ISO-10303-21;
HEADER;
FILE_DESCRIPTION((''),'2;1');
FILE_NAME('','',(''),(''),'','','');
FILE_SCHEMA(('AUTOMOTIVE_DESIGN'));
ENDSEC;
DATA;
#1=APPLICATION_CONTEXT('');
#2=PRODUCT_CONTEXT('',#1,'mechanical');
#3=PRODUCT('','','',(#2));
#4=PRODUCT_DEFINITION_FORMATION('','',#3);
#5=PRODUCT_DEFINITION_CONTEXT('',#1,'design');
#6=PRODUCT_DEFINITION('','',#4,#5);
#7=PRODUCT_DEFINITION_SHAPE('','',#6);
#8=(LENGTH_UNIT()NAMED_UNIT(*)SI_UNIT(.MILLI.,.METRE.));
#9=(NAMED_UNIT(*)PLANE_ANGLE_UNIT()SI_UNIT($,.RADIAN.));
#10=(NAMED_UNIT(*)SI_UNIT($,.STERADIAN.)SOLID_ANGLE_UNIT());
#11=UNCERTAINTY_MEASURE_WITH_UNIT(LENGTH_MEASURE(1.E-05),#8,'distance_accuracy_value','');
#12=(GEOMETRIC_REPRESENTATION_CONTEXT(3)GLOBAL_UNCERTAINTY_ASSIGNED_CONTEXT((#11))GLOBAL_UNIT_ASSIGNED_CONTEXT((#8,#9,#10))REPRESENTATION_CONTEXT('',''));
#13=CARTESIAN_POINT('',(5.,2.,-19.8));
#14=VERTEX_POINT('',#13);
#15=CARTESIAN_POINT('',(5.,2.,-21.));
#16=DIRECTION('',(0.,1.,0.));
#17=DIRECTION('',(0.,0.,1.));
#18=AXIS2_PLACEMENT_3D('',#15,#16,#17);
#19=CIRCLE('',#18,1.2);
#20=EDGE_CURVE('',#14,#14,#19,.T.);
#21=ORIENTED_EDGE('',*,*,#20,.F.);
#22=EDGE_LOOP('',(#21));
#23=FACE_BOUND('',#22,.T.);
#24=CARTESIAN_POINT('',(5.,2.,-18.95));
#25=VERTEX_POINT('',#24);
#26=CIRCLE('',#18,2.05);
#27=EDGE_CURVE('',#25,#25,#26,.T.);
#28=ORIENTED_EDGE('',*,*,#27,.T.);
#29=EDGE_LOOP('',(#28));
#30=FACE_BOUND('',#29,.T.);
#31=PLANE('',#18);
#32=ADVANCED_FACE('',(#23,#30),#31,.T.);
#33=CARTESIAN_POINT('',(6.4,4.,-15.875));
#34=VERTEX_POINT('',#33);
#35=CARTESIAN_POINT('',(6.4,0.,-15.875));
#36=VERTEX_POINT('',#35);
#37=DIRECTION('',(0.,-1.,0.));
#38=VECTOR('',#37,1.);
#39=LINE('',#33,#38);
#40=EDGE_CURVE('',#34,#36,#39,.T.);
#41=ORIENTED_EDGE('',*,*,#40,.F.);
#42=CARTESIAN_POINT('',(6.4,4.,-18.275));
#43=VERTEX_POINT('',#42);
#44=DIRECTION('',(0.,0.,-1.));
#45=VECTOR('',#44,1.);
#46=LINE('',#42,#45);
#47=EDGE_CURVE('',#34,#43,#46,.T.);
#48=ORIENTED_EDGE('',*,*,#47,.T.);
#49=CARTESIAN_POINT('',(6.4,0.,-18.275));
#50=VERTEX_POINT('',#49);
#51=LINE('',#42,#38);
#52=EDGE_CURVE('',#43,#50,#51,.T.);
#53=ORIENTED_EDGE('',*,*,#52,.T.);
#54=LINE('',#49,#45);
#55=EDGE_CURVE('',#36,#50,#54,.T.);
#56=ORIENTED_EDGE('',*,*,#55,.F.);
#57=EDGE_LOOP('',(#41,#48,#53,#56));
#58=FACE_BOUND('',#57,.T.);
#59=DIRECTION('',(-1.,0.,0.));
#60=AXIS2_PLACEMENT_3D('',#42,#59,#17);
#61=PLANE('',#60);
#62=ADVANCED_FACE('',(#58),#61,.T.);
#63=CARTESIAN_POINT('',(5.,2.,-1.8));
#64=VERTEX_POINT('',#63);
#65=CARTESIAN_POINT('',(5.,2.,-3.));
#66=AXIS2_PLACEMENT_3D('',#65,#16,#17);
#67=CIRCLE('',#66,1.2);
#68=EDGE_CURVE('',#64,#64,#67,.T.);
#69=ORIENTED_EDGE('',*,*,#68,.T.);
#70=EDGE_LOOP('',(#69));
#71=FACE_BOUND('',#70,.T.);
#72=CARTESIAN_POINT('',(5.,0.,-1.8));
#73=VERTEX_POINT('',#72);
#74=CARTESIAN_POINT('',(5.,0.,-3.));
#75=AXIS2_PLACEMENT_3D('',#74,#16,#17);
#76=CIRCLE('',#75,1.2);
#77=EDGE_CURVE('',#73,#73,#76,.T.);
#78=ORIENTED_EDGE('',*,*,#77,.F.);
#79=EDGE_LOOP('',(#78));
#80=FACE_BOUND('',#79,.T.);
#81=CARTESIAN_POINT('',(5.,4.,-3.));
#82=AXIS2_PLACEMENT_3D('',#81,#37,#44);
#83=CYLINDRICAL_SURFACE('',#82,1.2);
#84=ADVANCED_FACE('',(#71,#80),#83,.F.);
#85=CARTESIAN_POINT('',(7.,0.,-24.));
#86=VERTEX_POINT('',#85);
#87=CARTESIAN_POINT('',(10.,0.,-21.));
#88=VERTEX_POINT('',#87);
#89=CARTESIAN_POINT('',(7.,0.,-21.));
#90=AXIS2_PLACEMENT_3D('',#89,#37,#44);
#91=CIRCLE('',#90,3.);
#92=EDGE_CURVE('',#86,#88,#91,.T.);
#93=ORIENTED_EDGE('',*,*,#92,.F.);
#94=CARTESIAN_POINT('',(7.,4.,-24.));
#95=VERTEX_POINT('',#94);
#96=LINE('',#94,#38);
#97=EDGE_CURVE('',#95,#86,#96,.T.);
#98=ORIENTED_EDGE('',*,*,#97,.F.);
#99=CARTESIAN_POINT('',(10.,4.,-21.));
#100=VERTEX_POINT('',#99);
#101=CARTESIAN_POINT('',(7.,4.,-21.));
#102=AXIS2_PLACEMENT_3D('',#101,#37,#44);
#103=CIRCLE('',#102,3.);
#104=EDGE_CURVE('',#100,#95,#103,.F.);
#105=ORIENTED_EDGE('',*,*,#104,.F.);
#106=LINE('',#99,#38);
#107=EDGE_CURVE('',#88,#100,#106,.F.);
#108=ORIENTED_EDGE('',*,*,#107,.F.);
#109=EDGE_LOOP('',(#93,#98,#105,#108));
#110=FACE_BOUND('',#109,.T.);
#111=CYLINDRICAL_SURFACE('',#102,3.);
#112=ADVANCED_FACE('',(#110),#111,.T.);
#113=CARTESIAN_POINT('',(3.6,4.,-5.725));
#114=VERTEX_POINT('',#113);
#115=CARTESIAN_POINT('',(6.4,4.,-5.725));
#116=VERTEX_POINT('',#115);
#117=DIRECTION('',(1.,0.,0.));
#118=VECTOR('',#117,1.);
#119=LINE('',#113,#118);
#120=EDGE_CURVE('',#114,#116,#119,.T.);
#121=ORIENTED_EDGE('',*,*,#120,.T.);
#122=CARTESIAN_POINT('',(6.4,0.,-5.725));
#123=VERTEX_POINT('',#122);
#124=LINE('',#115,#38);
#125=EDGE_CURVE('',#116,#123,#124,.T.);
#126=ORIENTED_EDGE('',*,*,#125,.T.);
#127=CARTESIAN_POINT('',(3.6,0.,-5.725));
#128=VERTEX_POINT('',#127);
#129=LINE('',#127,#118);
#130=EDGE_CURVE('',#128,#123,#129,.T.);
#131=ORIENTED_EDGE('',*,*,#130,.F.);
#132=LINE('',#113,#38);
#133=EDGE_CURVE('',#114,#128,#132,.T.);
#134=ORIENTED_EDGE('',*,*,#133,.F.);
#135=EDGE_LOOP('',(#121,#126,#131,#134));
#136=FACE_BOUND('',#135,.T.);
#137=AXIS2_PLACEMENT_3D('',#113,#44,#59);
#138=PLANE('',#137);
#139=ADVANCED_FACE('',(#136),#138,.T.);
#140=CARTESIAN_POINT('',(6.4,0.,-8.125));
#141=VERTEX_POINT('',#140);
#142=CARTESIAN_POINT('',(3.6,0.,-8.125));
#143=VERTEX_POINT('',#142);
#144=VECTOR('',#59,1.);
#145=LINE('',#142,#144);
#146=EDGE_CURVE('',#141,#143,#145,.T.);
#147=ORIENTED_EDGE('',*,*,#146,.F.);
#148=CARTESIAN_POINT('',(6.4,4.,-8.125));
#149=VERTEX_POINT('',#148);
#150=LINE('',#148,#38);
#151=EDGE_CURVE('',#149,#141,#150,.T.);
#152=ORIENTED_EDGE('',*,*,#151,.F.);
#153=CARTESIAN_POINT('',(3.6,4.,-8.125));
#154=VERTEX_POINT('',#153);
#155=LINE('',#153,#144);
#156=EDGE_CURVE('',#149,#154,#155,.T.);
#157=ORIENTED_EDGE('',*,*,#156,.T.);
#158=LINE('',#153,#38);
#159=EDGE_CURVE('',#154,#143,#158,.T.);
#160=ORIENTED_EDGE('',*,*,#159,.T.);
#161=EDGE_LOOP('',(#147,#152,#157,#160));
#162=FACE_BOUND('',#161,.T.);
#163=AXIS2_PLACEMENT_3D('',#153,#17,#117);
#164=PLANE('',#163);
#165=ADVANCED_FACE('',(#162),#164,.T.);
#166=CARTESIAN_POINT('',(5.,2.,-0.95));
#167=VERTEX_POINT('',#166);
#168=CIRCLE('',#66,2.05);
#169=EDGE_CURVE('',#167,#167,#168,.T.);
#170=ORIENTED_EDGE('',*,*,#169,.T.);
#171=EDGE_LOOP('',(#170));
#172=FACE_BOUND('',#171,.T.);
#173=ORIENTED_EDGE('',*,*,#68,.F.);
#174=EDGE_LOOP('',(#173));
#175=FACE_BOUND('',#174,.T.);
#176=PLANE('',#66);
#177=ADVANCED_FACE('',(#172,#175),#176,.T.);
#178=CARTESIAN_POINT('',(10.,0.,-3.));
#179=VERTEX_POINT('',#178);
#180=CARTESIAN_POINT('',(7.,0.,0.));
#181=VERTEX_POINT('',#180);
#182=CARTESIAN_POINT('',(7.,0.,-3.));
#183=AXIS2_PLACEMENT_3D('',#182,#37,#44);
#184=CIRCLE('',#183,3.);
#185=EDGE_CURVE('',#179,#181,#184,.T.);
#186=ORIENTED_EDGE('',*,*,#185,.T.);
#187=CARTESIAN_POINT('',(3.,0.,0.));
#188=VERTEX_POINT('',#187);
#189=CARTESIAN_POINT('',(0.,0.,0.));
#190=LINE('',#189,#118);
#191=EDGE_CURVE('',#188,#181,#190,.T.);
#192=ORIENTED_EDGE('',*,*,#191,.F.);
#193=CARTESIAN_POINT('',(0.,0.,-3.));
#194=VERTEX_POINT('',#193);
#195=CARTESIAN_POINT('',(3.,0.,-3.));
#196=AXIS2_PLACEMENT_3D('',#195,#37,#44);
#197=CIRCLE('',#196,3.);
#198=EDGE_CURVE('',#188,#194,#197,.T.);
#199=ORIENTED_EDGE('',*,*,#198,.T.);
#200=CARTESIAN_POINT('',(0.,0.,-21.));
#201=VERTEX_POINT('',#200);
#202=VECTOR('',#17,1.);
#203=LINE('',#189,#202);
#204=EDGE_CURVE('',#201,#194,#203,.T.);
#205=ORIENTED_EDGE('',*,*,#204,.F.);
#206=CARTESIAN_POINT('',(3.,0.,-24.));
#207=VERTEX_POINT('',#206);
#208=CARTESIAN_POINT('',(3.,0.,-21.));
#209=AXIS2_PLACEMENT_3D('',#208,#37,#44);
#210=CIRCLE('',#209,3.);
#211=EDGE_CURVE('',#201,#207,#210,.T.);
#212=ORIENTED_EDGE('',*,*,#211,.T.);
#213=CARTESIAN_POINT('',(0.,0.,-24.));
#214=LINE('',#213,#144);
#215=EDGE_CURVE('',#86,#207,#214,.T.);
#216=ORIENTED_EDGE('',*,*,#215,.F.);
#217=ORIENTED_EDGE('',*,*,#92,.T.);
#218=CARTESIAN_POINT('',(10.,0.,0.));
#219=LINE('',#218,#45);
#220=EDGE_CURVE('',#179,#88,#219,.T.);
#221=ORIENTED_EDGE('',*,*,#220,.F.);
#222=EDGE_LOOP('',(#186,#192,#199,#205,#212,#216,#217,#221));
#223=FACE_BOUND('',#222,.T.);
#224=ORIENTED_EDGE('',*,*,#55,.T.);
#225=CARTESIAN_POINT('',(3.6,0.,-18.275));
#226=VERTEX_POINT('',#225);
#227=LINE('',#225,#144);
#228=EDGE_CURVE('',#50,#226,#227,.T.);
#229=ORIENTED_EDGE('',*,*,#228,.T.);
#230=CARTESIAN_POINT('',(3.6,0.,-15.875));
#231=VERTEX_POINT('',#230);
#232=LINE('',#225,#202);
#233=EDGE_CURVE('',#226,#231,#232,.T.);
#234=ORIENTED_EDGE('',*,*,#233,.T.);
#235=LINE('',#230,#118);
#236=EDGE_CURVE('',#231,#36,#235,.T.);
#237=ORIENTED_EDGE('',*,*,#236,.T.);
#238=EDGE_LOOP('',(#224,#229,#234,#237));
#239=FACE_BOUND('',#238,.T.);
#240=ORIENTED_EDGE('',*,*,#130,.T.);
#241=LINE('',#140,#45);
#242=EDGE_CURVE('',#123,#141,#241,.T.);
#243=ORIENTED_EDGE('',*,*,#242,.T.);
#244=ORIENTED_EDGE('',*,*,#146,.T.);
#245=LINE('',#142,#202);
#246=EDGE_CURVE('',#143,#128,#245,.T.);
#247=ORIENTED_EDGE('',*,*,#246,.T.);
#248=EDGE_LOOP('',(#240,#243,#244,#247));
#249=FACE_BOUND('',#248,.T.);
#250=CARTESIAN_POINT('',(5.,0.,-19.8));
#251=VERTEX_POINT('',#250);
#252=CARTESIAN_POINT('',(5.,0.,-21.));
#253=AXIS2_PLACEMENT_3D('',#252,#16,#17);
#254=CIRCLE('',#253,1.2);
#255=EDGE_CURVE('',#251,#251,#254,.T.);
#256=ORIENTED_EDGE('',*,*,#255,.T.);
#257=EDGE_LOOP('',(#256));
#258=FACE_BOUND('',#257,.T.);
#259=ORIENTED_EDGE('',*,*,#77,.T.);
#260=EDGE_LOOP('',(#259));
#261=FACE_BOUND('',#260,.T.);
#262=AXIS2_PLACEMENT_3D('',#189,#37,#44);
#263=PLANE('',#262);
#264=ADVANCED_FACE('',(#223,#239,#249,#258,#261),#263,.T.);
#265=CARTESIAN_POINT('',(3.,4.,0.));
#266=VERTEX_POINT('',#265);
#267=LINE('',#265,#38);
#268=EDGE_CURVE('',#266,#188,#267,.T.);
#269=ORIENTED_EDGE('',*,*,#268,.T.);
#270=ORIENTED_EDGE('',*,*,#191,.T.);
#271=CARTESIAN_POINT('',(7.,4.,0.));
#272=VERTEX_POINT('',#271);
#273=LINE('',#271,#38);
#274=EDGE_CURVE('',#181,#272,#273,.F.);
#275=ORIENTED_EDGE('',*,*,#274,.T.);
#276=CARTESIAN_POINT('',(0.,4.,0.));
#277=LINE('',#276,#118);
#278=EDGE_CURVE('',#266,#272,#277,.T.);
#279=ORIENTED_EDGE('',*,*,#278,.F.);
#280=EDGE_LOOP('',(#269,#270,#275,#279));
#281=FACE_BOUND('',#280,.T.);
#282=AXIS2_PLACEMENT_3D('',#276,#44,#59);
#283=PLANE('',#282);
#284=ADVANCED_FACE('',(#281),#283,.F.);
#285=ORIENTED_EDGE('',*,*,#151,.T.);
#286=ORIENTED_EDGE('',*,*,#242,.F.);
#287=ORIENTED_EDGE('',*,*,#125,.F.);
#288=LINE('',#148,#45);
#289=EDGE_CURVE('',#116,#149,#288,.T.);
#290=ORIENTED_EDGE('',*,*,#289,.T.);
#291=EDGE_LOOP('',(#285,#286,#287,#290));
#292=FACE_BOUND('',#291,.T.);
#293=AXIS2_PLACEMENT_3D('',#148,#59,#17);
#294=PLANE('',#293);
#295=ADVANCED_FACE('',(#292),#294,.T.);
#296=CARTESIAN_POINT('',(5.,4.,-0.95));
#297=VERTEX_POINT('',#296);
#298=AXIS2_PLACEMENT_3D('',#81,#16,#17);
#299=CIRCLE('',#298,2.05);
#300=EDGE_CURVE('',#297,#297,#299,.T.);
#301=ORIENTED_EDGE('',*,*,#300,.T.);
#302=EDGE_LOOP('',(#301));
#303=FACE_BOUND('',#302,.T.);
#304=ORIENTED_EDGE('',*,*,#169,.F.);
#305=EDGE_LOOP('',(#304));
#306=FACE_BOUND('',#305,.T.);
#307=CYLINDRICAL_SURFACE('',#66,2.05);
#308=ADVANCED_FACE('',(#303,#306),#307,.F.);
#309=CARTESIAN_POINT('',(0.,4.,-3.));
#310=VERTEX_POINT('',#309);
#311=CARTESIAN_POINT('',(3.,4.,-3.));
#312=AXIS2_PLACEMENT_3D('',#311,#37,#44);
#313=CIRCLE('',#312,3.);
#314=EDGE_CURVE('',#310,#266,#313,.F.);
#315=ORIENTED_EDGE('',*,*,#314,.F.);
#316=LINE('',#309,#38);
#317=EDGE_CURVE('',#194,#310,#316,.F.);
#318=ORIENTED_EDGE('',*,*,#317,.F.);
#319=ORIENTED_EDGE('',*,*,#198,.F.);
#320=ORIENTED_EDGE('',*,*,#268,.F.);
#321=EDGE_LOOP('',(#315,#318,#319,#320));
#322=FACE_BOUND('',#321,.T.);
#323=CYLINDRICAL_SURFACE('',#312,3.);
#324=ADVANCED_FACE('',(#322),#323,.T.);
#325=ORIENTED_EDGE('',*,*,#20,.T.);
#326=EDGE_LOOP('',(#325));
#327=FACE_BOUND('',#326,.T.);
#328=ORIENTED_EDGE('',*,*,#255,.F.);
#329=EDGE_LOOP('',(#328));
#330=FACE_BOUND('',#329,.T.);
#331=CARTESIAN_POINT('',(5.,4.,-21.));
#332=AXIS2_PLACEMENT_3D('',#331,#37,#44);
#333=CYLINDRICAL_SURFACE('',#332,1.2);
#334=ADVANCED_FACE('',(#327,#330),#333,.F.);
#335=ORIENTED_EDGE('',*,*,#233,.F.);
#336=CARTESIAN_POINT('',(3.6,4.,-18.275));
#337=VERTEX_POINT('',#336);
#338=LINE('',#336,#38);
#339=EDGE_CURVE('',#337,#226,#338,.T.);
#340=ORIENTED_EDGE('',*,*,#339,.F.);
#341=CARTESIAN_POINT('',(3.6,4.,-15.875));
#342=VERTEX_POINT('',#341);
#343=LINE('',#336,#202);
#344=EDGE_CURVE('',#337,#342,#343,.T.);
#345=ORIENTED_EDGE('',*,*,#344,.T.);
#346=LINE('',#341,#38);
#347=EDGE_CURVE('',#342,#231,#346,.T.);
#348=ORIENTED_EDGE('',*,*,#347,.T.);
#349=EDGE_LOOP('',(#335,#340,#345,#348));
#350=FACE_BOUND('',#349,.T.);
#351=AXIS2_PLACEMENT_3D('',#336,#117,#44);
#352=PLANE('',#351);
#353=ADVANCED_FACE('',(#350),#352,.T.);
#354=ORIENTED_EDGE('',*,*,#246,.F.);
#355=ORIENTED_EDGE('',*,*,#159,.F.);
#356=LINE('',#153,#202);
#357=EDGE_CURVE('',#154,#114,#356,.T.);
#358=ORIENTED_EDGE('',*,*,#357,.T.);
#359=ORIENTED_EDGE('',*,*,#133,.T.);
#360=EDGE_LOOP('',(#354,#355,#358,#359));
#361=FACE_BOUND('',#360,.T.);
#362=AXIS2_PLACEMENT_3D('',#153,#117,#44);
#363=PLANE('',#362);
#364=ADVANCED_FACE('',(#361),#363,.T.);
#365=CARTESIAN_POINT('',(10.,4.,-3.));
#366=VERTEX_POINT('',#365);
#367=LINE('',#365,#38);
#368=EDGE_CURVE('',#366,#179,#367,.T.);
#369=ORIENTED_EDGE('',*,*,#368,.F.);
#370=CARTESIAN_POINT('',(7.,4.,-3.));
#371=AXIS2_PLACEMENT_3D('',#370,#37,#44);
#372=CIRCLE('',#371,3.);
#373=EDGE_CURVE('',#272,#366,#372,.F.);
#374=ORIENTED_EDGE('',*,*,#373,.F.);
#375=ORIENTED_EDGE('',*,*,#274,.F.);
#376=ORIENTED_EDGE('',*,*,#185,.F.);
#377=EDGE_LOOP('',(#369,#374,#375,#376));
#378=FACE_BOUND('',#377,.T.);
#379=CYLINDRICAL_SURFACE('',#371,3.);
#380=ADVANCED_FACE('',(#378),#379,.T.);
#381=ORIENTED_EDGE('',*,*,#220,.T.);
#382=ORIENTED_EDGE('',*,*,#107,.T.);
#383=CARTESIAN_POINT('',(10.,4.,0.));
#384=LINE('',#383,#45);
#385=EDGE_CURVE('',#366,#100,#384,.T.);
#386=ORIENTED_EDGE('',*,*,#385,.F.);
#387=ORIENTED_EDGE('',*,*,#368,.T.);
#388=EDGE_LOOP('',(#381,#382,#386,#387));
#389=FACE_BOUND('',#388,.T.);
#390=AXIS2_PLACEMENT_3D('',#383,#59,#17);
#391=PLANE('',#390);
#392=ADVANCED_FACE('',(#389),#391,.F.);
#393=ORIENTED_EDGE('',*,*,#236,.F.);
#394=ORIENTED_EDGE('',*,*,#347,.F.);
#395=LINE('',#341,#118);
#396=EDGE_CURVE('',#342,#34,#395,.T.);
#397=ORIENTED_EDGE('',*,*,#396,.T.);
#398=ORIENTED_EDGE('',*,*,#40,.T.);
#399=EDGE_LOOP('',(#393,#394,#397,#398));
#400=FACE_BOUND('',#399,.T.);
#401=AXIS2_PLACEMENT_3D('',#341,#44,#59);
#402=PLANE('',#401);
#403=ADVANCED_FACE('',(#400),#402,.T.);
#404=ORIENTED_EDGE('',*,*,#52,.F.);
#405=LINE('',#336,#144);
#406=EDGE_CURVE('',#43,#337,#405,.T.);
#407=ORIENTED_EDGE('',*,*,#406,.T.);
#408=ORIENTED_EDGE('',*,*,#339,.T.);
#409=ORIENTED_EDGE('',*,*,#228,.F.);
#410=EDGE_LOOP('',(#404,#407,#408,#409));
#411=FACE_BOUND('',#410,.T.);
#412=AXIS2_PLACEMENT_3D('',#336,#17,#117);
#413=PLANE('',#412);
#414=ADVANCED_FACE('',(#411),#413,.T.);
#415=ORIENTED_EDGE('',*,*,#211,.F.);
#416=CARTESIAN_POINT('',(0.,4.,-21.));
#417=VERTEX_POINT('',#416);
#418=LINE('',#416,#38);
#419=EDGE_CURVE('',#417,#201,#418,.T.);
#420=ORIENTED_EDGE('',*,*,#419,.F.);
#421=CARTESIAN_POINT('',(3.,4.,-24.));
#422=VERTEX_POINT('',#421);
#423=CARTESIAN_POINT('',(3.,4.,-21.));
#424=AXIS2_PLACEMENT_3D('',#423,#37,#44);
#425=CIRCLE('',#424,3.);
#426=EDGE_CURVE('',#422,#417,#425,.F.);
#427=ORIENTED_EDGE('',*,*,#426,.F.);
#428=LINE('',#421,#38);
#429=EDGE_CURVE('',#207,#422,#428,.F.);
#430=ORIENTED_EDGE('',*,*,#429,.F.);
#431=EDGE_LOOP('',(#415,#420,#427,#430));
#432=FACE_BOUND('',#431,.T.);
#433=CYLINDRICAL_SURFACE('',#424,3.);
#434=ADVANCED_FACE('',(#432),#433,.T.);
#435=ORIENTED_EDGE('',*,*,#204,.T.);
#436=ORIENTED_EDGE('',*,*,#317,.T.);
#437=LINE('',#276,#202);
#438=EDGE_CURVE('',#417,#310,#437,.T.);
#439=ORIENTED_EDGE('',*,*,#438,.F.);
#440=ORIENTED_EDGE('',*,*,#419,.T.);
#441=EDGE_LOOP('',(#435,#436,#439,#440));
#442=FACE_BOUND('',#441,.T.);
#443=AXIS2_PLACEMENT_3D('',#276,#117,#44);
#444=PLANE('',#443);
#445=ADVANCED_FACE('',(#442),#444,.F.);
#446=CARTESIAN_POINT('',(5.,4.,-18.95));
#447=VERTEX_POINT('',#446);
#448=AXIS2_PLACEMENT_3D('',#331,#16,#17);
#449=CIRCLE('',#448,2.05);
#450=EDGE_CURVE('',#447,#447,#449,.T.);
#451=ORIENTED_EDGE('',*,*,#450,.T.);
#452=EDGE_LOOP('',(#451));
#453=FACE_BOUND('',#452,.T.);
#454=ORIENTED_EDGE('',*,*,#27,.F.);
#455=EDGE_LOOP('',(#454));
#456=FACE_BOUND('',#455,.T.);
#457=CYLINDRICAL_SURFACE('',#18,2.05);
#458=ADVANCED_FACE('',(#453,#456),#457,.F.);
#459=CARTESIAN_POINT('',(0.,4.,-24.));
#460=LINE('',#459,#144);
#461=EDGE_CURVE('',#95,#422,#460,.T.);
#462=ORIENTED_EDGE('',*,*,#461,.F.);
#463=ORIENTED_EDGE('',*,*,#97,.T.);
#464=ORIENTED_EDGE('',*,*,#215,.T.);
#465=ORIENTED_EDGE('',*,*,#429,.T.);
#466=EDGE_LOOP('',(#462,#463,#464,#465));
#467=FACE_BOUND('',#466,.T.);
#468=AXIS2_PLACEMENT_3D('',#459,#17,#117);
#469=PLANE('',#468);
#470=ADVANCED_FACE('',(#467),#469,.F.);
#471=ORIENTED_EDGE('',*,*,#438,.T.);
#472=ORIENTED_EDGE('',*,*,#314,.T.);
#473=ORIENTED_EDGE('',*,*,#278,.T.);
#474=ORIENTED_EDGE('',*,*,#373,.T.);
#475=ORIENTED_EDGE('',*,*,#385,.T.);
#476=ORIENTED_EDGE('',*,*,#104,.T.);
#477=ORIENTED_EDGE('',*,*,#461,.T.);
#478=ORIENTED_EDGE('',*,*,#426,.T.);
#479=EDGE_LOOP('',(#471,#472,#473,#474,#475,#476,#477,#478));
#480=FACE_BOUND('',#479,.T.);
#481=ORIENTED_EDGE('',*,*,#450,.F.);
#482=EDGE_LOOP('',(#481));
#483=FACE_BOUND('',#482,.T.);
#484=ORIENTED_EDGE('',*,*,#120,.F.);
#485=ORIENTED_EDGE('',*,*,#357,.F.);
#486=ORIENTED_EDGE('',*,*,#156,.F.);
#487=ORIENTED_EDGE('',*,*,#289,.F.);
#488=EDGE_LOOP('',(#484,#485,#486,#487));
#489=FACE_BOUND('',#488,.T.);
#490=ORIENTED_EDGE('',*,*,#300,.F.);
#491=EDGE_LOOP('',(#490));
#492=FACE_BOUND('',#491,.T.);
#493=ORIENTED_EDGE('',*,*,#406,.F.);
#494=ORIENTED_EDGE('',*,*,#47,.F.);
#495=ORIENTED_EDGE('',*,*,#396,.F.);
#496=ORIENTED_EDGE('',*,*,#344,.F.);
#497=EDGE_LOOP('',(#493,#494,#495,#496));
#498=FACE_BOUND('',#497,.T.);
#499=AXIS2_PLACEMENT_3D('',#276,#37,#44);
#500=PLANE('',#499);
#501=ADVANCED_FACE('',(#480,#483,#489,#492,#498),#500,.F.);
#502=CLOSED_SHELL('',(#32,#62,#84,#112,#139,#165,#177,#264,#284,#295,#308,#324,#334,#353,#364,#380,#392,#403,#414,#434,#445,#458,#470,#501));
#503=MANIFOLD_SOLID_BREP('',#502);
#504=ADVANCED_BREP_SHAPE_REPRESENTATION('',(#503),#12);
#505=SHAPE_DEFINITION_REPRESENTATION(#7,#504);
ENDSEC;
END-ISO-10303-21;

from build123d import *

# Parameters (mm, degrees)
SKETCH1_W           = 10
SKETCH1_H           = 24
SKETCH1_R           = 1.2
SKETCH1_W_2         = 2.8
SKETCH1_H_2         = 2.4
BOSS_EXTRUDE1_DEPTH = 4
FILLET1_R           = 3
SKETCH2_R           = 2.05
CUT_EXTRUDE1_DEPTH  = 2


with BuildPart() as part:
    # Sketch1 → Boss-Extrude1 (new body)
    with BuildSketch(Plane(origin=(0, 0, 0), x_dir=(1, 0, 0), z_dir=(0, 1, 0))):
        with Locations((5, 12)):
            Rectangle(SKETCH1_W, SKETCH1_H)
        with Locations(Location((5, 21, 0), (0, 0, 270))):
            Circle(SKETCH1_R, mode=Mode.SUBTRACT)
        with Locations(Location((5, 3, 0), (0, 0, 270))):
            Circle(SKETCH1_R, mode=Mode.SUBTRACT)
        with Locations((5, 17.075)):
            Rectangle(SKETCH1_W_2, SKETCH1_H_2, mode=Mode.SUBTRACT)
        with Locations((5, 6.925)):
            Rectangle(SKETCH1_W_2, SKETCH1_H_2, mode=Mode.SUBTRACT)
    extrude(amount=BOSS_EXTRUDE1_DEPTH)

    # Fillet1
    fillet1_edges = [part.edges().sort_by_distance(p)[0] for p in [
        (0, 2, -24),
        (10, 2, -24),
        (10, 2, 0),
        (0, 2, 0),
    ]]
    fillet(fillet1_edges, radius=FILLET1_R)

    # Sketch2 → Cut-Extrude1 (cut)
    with BuildSketch(Plane(origin=(0, 4, 0), x_dir=(1, 0, 0), z_dir=(0, 1, 0))):
        with Locations(Location((5, 3, 0), (0, 0, 270))):
            Circle(SKETCH2_R)
        with Locations(Location((5, 21, 0), (0, 0, 270))):
            Circle(SKETCH2_R)
    extrude(amount=-CUT_EXTRUDE1_DEPTH, mode=Mode.SUBTRACT)


solid = part.part
